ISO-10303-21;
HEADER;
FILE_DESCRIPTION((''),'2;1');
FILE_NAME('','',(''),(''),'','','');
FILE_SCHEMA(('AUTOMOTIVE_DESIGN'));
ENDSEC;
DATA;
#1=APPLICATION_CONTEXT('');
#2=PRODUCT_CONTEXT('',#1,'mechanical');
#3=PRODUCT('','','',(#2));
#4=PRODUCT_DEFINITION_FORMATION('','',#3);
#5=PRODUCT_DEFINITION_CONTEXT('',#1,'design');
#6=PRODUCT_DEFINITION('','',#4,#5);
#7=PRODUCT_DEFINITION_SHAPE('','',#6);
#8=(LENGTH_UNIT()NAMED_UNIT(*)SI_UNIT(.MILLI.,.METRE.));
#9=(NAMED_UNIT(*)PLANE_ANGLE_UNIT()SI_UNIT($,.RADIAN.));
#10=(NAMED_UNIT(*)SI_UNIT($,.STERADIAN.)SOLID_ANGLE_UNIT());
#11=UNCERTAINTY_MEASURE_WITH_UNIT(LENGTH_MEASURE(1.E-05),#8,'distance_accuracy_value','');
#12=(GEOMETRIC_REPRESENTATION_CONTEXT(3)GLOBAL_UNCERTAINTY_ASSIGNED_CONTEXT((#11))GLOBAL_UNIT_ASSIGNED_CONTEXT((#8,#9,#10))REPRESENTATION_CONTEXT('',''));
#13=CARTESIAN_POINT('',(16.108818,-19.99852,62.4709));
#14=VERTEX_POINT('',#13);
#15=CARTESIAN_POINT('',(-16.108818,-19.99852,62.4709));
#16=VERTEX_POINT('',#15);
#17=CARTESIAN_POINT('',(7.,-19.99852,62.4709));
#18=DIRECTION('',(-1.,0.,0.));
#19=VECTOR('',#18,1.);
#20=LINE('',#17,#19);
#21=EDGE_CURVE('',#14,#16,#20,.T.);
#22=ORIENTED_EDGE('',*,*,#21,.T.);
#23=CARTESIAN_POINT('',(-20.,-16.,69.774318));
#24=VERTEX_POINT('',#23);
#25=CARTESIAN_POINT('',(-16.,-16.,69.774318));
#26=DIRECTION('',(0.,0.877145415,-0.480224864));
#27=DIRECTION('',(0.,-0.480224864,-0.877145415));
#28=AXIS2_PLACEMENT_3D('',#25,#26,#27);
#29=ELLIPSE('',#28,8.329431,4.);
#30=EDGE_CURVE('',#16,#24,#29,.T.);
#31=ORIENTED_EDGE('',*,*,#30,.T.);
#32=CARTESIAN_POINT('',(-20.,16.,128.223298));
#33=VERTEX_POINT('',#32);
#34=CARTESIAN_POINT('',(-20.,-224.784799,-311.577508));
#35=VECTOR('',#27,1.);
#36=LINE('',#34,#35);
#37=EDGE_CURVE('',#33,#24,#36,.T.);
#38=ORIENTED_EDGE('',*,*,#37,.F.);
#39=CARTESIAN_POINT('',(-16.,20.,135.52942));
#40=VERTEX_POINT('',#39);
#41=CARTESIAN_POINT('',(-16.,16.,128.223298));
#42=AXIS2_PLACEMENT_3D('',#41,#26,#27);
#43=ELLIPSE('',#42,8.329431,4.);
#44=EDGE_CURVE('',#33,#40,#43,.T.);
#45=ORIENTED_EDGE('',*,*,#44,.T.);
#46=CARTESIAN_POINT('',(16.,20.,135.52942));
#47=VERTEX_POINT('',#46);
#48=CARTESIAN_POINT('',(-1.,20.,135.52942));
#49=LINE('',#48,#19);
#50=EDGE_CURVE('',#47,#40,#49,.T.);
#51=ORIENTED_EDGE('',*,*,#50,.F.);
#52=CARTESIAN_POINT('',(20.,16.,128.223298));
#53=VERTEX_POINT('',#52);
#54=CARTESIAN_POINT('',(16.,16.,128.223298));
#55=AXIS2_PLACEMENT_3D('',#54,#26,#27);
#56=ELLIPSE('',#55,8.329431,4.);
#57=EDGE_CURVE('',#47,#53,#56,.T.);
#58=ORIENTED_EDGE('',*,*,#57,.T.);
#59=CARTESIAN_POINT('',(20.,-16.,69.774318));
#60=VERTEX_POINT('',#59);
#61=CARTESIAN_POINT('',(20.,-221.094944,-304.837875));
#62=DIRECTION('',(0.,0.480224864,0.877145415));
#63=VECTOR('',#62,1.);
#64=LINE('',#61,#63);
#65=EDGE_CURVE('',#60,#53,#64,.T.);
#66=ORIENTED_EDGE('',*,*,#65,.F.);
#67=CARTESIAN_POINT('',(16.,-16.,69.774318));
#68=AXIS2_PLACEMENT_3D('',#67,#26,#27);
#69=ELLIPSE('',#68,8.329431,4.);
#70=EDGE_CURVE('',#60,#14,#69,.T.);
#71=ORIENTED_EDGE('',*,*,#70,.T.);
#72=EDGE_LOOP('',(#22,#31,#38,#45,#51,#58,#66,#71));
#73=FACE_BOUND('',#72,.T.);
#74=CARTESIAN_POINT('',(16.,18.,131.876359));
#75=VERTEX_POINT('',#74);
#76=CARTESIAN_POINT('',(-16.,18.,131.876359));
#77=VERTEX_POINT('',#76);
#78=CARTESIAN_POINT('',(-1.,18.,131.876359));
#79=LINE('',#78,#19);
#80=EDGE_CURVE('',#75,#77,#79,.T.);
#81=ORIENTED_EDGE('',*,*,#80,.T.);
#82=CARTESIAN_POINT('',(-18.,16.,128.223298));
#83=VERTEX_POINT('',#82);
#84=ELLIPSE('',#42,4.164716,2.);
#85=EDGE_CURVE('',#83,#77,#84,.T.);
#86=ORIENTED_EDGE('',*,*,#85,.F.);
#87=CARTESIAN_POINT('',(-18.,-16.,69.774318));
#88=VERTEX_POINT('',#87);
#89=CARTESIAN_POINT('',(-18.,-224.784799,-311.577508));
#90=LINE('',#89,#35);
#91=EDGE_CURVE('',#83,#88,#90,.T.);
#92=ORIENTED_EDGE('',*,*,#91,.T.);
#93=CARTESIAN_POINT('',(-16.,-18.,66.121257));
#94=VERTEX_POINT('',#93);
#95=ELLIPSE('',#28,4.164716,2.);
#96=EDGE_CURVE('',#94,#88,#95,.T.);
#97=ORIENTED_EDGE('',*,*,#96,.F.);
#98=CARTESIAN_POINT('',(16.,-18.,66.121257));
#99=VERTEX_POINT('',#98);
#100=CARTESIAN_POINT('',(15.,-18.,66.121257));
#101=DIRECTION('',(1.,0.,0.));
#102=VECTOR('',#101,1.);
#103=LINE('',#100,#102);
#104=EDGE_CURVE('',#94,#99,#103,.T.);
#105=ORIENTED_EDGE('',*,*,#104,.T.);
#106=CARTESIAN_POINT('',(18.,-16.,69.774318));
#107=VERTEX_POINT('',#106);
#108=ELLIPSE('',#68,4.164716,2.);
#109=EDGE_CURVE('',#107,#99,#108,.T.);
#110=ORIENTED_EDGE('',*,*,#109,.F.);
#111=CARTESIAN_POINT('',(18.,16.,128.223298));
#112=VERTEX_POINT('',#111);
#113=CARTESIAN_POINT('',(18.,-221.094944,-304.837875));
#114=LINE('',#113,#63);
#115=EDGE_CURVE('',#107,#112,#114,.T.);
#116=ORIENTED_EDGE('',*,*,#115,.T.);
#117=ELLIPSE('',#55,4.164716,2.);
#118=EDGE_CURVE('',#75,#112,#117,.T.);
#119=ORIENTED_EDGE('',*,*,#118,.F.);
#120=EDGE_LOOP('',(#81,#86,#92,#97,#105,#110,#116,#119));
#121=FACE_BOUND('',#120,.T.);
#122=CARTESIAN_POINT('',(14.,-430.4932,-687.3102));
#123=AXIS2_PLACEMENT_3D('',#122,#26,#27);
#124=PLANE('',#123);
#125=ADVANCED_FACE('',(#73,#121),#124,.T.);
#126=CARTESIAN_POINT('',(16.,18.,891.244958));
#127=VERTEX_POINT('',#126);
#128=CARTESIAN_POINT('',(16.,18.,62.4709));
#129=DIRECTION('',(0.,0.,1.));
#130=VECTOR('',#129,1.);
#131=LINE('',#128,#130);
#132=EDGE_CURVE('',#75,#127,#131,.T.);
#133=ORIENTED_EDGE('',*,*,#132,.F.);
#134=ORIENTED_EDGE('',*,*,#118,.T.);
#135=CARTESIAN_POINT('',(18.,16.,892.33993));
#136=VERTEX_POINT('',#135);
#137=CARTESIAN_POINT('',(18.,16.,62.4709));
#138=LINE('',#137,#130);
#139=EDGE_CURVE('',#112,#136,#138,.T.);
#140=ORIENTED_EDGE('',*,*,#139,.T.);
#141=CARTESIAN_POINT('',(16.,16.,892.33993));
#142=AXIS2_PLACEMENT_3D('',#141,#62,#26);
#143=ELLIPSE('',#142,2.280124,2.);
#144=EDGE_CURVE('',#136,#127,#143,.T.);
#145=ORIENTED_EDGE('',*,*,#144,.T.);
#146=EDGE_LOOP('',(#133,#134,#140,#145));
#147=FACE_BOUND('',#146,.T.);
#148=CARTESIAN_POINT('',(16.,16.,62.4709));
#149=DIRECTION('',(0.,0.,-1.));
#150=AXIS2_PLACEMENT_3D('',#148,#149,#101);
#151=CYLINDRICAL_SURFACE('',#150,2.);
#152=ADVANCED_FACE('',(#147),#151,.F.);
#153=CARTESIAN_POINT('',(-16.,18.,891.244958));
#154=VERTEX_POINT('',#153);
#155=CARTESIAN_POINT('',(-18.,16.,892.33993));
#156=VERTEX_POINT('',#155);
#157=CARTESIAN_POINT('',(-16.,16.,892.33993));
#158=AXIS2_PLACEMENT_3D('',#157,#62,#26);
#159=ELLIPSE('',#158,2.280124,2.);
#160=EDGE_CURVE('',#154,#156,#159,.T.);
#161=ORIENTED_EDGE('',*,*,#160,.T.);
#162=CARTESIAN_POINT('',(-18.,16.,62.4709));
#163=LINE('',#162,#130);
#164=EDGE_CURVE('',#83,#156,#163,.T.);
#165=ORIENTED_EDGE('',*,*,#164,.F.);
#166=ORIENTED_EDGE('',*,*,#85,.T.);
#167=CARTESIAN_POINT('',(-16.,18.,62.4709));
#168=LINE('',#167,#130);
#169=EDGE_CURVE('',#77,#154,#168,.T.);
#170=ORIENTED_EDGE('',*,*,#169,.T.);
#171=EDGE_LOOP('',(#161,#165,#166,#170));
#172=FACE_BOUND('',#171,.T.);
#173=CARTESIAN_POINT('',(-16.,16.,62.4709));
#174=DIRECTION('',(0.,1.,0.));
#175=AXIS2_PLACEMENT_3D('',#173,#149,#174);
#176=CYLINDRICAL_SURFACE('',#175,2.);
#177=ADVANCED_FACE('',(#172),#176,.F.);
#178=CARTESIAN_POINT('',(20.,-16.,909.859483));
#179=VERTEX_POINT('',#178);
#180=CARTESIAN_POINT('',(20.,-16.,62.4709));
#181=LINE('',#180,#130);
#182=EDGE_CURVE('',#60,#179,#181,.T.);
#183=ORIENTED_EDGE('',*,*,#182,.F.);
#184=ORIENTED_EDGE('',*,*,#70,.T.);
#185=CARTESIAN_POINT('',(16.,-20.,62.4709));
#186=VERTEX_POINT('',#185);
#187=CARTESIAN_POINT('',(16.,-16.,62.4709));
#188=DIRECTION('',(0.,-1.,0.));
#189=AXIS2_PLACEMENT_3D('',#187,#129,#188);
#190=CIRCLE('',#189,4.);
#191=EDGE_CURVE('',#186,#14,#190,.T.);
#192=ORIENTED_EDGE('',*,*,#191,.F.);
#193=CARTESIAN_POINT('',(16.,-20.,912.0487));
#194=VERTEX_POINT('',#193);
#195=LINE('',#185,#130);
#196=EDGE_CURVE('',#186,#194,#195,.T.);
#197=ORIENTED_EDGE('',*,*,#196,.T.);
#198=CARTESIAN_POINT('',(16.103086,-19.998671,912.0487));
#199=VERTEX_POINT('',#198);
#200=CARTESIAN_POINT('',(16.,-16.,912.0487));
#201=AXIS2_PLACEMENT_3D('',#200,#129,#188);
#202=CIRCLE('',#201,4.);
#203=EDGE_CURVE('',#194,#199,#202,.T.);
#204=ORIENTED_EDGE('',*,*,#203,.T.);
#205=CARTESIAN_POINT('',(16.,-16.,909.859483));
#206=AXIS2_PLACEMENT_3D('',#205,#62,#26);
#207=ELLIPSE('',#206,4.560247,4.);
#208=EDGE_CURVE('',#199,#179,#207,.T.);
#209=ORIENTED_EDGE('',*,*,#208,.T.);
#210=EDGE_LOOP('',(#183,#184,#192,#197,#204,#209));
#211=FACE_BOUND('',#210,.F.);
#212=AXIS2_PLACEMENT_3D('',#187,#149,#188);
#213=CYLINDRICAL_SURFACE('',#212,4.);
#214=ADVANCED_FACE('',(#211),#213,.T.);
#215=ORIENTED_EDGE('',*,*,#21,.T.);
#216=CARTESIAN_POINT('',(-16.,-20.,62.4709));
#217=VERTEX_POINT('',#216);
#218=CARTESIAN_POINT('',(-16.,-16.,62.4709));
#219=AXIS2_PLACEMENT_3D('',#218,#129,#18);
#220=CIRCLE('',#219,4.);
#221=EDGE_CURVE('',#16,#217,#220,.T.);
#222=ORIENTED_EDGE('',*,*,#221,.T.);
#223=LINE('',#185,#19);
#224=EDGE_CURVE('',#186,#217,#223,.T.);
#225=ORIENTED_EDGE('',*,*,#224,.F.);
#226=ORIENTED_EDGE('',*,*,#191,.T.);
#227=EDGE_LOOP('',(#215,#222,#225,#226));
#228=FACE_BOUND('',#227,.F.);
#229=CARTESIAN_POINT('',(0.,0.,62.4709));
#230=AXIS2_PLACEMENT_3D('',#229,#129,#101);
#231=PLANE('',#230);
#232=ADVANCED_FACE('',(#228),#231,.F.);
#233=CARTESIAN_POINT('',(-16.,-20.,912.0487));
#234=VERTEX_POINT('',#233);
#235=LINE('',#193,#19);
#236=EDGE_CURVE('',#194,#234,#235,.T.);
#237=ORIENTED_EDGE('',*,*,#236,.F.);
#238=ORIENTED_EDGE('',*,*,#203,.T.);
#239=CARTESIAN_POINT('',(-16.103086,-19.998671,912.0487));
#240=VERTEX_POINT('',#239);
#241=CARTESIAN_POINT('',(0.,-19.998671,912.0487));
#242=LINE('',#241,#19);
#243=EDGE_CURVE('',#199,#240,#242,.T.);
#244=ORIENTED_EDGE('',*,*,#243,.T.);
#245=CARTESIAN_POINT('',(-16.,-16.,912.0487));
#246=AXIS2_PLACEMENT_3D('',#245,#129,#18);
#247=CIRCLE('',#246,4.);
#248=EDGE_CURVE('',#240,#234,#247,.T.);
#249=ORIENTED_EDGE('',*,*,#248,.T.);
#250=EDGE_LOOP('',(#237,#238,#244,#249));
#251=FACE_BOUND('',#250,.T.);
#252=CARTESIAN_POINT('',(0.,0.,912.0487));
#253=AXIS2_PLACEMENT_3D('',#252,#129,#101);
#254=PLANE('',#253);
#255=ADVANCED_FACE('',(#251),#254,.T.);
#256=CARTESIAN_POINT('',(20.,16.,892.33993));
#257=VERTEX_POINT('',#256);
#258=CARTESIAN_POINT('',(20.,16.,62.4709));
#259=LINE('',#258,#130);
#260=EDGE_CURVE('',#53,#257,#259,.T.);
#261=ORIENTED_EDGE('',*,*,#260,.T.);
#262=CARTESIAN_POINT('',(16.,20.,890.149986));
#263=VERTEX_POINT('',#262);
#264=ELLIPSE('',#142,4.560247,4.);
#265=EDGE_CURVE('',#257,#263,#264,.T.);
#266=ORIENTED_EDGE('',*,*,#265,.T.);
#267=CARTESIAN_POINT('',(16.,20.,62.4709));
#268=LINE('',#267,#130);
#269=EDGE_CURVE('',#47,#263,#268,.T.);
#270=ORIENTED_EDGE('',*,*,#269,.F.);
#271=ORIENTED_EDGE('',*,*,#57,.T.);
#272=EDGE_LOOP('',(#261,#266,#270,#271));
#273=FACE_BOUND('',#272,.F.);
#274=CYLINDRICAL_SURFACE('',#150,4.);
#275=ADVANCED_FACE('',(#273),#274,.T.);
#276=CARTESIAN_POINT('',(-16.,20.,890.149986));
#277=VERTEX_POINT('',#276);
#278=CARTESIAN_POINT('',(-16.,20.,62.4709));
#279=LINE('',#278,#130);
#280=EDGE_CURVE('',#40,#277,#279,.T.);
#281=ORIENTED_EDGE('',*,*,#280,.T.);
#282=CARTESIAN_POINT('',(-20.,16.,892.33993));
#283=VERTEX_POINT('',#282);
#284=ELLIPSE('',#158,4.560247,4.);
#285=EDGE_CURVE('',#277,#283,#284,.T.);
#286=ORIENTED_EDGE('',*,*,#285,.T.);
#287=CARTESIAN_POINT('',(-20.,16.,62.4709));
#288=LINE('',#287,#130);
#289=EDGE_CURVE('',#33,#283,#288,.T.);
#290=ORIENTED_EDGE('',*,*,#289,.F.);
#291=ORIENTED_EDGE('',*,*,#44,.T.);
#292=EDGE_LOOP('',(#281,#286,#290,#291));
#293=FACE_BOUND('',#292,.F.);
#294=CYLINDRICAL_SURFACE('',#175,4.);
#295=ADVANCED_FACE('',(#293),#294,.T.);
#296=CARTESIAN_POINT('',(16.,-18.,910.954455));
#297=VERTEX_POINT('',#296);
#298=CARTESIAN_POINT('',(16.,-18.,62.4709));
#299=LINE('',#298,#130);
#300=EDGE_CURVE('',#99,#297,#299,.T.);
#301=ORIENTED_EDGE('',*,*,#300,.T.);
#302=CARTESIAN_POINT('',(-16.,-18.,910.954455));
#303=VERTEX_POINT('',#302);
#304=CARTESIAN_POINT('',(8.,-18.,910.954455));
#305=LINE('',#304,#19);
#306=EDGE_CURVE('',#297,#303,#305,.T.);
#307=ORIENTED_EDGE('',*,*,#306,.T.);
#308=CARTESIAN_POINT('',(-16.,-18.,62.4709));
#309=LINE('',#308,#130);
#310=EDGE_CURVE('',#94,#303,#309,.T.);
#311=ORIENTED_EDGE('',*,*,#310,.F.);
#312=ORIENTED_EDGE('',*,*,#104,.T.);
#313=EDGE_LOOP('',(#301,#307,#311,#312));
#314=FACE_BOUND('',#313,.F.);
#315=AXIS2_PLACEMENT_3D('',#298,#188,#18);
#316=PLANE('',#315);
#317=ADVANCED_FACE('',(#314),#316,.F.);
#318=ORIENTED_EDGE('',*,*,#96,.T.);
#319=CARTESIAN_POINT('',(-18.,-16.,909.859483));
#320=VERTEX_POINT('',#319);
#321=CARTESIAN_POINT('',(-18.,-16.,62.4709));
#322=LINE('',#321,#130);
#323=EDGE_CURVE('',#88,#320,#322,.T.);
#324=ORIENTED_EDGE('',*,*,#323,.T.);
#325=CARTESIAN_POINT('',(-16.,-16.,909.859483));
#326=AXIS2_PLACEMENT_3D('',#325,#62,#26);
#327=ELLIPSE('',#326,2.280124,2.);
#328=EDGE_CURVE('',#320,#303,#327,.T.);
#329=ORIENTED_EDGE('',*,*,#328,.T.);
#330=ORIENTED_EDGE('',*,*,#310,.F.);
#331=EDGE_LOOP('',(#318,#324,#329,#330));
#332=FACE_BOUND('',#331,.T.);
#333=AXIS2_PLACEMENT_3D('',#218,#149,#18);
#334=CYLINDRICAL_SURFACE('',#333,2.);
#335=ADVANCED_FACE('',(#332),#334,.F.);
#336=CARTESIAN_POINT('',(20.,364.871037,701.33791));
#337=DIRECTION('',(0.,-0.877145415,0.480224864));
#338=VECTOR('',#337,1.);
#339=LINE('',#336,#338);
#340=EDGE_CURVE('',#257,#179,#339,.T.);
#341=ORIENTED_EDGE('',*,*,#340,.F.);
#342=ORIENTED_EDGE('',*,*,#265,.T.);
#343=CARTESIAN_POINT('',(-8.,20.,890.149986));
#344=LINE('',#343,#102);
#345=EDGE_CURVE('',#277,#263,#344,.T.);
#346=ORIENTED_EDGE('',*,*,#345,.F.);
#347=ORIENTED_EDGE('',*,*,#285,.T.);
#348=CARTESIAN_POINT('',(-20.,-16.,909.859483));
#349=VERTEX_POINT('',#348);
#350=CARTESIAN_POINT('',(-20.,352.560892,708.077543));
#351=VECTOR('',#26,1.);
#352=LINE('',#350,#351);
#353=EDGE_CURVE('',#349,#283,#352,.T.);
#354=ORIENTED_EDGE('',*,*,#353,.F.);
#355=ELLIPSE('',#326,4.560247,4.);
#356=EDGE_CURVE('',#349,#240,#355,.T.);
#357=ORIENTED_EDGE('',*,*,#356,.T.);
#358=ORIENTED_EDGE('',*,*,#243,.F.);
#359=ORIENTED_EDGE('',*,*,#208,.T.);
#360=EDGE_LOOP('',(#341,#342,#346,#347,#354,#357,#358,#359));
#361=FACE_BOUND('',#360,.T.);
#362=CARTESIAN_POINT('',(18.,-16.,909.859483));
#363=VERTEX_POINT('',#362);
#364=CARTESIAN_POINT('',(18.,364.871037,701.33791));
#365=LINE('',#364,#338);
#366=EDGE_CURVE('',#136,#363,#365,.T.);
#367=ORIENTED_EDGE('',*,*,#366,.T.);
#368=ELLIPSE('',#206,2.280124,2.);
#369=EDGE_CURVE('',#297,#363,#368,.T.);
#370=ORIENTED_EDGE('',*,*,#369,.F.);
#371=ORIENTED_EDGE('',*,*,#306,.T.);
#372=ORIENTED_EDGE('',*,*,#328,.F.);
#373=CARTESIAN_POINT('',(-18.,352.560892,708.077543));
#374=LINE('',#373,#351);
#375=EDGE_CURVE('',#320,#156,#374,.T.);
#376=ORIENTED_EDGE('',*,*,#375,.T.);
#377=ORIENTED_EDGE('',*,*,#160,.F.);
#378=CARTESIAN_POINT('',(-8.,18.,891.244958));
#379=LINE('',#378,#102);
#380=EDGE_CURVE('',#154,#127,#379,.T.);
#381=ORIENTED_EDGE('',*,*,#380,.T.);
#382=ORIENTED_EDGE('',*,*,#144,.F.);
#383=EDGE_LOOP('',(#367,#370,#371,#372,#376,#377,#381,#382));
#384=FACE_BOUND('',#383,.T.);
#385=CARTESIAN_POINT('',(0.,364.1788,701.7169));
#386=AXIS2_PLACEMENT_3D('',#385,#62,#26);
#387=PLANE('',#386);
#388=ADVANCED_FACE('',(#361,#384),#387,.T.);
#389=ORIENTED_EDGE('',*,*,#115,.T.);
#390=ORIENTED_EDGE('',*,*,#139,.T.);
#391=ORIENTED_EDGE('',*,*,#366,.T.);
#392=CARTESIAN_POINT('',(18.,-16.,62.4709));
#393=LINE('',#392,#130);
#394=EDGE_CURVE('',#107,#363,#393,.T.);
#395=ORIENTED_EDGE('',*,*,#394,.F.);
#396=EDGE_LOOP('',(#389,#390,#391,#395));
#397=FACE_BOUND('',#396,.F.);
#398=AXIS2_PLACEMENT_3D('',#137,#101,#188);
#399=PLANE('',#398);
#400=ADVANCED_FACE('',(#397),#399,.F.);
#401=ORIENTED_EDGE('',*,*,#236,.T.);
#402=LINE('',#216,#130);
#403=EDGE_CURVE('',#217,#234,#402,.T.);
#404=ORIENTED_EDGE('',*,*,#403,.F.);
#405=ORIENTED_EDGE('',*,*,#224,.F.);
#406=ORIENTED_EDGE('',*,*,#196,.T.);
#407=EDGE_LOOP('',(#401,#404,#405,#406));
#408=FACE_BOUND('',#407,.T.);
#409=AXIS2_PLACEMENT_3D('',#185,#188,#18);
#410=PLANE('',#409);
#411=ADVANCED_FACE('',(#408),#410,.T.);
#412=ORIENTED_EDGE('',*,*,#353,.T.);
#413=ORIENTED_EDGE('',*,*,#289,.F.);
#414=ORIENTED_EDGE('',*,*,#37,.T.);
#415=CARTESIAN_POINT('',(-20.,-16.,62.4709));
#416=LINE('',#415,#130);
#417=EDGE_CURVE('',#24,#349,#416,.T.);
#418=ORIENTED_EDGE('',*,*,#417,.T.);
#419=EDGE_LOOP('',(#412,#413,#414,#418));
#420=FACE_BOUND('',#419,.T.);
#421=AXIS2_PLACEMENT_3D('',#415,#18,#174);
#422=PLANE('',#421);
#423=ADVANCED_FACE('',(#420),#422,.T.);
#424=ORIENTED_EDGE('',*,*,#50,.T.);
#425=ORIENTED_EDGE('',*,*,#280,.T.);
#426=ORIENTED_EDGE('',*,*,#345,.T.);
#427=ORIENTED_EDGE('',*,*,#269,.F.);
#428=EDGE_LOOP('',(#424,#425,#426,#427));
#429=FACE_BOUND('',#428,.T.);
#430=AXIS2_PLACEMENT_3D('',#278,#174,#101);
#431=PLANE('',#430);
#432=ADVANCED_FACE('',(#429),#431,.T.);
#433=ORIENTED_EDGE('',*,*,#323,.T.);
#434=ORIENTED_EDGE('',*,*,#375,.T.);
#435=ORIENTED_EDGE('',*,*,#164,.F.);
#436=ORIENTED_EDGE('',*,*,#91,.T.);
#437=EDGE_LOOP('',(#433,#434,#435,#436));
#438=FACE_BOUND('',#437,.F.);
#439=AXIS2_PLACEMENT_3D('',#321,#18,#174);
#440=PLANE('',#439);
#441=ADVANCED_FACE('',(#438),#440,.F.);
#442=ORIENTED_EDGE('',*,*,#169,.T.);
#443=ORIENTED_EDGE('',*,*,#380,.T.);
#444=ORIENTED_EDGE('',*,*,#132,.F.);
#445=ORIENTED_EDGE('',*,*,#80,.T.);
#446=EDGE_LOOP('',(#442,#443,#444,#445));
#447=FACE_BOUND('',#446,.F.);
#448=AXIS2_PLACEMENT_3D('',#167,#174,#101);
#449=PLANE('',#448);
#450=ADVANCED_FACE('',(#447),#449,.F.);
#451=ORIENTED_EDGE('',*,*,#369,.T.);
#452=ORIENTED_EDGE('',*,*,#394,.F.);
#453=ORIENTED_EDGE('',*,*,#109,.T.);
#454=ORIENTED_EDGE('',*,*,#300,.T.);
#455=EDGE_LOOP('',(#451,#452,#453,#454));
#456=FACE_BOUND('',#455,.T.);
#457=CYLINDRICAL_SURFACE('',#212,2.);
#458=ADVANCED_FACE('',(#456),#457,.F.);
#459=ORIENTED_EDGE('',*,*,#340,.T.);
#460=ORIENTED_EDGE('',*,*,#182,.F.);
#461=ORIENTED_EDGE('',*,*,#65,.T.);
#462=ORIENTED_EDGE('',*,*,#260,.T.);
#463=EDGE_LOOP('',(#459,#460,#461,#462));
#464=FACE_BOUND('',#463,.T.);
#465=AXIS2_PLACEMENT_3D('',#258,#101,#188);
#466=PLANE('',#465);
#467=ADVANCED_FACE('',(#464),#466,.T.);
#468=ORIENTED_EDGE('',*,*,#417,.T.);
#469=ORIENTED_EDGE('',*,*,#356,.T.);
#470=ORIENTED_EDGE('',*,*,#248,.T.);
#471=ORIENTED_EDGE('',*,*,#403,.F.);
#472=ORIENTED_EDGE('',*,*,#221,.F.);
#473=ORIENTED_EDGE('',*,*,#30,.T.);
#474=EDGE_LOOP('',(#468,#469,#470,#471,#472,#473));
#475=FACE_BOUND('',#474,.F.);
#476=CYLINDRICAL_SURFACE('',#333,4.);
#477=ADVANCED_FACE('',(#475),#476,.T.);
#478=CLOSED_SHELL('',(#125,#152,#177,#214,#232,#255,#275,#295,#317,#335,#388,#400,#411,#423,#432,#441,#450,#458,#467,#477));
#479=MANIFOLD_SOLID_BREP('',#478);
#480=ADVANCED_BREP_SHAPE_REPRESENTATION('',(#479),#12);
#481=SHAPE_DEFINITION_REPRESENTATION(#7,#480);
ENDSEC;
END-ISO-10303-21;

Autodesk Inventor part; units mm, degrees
ref_plane "Start Plane" through (0, 0, 62.4709) normal (0, 0, 1) x (1, 0, 0)
ref_plane "End Plane" through (0, 0, 912.0487) normal (0, 0, 1) x (1, 0, 0)
sketch "Sketch" plane through (0, 0, 0) normal (0, 0, 1) x (1, 0, 0)
  line L0 (-20, -16) -> (-20, 16)
  line L1 (-16, 20) -> (16, 20)
  line L2 (20, 16) -> (20, -16)
  line L3 (16, -20) -> (-16, -20)
  arc A0 (-20, -16) -> (-16, -20) centre (-16, -16) ccw
  arc A1 (20, 16) -> (16, 20) centre (16, 16) ccw
  arc A2 (-16, 20) -> (-20, 16) centre (-16, 16) ccw
  arc A3 (16, -20) -> (20, -16) centre (16, -16) ccw
  arc A4 (-16, 18) -> (-18, 16) centre (-16, 16) ccw
  line L4 (-16, 18) -> (16, 18)
  arc A5 (18, 16) -> (16, 18) centre (16, 16) ccw
  line L5 (18, 16) -> (18, -16)
  arc A6 (16, -18) -> (18, -16) centre (16, -16) ccw
  line L6 (16, -18) -> (-16, -18)
  arc A7 (-18, -16) -> (-16, -18) centre (-16, -16) ccw
  line L7 (-18, -16) -> (-18, 16)
  line L8 (0, 29.1598) -> (0, -29.1598) construction
  line L9 (-29.1598, 0) -> (29.1598, 0) construction
  dimension "d7" = 4
  dimension "d9" = 40
  dimension "d11" = 40
  dimension "d12" = 2
  dimension "d15" = 20
  dimension "d16" = 20
extrude "Body" add sketch "Sketch" along normal up to surface (849.5778 mm away) from surface at 62.4709
sketch "Sketch3" plane through (0, 0, 0) normal (0, 0, 1) x (1, 0, 0)
  line L0 (0, 0) -> (10, 0)
ref_plane "Work Plane3" through (0, 0, 0) normal (0, -1, 0) x (1, 0, 0)
ref_plane "Work Plane4" through (0, 364.1788, 701.7169) normal (0, 0.4802, 0.8771) x (1, 0, 0)
split "Split1" plane through (0, 364.1788, 701.7169) removes the side toward (0, 0.4802, 0.8771)
ref_plane "Work Plane5" through (14, -430.4932, -687.3102) normal (0, 0.8771, -0.4802) x (1, 0, 0)
split "Split2" plane through (14, -430.4932, -687.3102) removes the side toward (0, 0.8771, -0.4802)
sketch "Sketch4" plane through (0, 0, 0) normal (0, -1, 0) x (1, 0, 0)
  line L0 (-2, 62.4709) -> (12, 62.4709) projected
  line L1 (-2, 912.0487) -> (12, 912.0487) projected
  dimension "d18" = 849.5778
equation "\"d7\" = G_IR"
equation "\"d9\" = G_W"
equation "\"d11\" = G_H"
equation "\"d12\" = G_T"
equation "\"d15\" = 0.5 * d9"
equation "\"d16\" = 0.5 * d11"
equation "\"d3\" = G_L"
equation "\"G_W\" = 40"
equation "\"G_H\" = 40"
equation "\"G_T\" = 2"
equation "\"G_IR\" = 4"
equation "\"G_L\" = d18"
equation "\"G_OFFSET_START\" = -62.47091"
equation "\"G_OFFSET_END\" = 0"
equation "\"d13\" = -G_OFFSET_START"
equation "\"d14\" = G_OFFSET_END + B_L"
equation "\"B_L\" = 912.04868"
properties part number "ISO 10799-2 - 40x40x2 - 849,58" material "Steel, Mild"
